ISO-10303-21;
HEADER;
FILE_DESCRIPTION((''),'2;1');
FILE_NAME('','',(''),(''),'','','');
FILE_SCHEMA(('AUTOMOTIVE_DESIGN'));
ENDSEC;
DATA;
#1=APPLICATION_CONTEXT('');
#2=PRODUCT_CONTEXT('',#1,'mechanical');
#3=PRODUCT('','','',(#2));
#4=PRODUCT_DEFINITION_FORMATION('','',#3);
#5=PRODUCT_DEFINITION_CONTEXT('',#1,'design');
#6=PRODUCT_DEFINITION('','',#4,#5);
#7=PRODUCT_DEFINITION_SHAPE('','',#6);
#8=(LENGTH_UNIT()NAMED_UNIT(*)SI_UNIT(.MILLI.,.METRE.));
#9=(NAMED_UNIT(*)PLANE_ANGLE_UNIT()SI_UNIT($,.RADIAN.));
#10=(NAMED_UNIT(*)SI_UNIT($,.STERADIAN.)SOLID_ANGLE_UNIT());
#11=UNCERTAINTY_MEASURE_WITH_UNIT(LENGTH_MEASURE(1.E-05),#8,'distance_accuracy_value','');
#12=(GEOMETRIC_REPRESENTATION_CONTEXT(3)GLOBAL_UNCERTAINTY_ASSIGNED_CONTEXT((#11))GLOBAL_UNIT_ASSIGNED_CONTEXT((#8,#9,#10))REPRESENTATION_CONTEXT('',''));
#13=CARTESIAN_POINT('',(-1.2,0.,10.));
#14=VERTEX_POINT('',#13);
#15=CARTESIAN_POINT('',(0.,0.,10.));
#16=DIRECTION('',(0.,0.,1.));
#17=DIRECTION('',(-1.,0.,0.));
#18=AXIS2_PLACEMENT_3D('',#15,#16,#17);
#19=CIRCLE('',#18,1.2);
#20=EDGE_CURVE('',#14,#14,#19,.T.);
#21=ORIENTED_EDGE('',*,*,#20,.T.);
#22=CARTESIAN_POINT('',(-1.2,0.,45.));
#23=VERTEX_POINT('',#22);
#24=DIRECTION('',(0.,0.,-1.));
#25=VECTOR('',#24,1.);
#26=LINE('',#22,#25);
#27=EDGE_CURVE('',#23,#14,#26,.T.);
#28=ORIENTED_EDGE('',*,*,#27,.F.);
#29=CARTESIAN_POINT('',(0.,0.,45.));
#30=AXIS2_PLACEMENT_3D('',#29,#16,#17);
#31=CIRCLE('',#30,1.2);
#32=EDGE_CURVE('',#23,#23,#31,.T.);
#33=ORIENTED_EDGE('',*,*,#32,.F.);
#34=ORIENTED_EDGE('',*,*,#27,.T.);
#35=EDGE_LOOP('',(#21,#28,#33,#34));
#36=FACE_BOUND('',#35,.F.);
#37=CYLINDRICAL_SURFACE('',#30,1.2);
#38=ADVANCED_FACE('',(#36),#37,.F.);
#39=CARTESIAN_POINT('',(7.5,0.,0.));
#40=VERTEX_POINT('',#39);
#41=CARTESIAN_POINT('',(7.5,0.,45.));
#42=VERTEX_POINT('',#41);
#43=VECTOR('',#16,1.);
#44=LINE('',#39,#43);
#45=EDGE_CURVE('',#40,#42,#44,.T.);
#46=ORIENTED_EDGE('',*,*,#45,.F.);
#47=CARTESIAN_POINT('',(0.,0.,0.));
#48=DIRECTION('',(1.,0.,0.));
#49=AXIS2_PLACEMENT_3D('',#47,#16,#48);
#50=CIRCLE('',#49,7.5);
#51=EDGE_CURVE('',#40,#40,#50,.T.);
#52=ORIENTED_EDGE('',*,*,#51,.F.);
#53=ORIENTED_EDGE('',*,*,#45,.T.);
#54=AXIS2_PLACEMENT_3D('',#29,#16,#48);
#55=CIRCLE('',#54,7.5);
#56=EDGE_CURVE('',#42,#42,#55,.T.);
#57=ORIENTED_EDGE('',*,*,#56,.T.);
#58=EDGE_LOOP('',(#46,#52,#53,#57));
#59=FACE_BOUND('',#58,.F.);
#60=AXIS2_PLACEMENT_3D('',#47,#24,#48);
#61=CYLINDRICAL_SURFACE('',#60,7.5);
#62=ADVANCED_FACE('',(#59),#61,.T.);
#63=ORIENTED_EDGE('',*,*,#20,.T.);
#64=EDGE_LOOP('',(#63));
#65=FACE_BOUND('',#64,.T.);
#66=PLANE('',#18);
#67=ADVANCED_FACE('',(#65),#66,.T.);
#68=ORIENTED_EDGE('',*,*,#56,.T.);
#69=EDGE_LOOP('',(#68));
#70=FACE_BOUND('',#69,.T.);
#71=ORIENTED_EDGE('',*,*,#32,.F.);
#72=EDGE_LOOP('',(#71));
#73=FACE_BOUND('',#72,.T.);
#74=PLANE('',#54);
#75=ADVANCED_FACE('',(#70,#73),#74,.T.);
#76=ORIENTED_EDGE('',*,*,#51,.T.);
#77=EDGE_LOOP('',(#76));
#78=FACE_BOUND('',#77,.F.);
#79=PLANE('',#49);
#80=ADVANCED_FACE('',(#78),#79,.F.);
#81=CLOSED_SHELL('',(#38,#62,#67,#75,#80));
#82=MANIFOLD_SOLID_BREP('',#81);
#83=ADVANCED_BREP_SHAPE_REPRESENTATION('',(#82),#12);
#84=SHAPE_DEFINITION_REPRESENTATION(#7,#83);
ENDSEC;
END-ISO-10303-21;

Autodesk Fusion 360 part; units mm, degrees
sketch "Sketch1" plane through (0, 0, 0) normal (0, 0, 1) x (1, 0, 0)
  circle A0 centre (0, 0) radius 7.5
  dimension "d13" = 15
extrude "Extrude4" add sketch "Sketch1" along normal blind 45
sketch "Sketch3" plane through (0, 0, 45) normal (0, 0, 1) x (-1, 0, 0)
  circle A0 centre (0, 0) radius 7.5
  circle A1 centre (0, 0) radius 1.2
  dimension "d16" = 2.4
extrude "Extrude5" cut sketch "Sketch3" against normal blind 35 contours A1
equation "drill_hole_radius = 1.2 mm"
equation "handle_length = 45 mm"
equation "handle_radius = 7.5 mm"
equation "drill_hole_length = 35 mm"
equation "d13 = handle_radius * 2"
equation "d14 = handle_length"
equation "d16 = drill_hole_radius * 2"
equation "d17 = -drill_hole_length"
